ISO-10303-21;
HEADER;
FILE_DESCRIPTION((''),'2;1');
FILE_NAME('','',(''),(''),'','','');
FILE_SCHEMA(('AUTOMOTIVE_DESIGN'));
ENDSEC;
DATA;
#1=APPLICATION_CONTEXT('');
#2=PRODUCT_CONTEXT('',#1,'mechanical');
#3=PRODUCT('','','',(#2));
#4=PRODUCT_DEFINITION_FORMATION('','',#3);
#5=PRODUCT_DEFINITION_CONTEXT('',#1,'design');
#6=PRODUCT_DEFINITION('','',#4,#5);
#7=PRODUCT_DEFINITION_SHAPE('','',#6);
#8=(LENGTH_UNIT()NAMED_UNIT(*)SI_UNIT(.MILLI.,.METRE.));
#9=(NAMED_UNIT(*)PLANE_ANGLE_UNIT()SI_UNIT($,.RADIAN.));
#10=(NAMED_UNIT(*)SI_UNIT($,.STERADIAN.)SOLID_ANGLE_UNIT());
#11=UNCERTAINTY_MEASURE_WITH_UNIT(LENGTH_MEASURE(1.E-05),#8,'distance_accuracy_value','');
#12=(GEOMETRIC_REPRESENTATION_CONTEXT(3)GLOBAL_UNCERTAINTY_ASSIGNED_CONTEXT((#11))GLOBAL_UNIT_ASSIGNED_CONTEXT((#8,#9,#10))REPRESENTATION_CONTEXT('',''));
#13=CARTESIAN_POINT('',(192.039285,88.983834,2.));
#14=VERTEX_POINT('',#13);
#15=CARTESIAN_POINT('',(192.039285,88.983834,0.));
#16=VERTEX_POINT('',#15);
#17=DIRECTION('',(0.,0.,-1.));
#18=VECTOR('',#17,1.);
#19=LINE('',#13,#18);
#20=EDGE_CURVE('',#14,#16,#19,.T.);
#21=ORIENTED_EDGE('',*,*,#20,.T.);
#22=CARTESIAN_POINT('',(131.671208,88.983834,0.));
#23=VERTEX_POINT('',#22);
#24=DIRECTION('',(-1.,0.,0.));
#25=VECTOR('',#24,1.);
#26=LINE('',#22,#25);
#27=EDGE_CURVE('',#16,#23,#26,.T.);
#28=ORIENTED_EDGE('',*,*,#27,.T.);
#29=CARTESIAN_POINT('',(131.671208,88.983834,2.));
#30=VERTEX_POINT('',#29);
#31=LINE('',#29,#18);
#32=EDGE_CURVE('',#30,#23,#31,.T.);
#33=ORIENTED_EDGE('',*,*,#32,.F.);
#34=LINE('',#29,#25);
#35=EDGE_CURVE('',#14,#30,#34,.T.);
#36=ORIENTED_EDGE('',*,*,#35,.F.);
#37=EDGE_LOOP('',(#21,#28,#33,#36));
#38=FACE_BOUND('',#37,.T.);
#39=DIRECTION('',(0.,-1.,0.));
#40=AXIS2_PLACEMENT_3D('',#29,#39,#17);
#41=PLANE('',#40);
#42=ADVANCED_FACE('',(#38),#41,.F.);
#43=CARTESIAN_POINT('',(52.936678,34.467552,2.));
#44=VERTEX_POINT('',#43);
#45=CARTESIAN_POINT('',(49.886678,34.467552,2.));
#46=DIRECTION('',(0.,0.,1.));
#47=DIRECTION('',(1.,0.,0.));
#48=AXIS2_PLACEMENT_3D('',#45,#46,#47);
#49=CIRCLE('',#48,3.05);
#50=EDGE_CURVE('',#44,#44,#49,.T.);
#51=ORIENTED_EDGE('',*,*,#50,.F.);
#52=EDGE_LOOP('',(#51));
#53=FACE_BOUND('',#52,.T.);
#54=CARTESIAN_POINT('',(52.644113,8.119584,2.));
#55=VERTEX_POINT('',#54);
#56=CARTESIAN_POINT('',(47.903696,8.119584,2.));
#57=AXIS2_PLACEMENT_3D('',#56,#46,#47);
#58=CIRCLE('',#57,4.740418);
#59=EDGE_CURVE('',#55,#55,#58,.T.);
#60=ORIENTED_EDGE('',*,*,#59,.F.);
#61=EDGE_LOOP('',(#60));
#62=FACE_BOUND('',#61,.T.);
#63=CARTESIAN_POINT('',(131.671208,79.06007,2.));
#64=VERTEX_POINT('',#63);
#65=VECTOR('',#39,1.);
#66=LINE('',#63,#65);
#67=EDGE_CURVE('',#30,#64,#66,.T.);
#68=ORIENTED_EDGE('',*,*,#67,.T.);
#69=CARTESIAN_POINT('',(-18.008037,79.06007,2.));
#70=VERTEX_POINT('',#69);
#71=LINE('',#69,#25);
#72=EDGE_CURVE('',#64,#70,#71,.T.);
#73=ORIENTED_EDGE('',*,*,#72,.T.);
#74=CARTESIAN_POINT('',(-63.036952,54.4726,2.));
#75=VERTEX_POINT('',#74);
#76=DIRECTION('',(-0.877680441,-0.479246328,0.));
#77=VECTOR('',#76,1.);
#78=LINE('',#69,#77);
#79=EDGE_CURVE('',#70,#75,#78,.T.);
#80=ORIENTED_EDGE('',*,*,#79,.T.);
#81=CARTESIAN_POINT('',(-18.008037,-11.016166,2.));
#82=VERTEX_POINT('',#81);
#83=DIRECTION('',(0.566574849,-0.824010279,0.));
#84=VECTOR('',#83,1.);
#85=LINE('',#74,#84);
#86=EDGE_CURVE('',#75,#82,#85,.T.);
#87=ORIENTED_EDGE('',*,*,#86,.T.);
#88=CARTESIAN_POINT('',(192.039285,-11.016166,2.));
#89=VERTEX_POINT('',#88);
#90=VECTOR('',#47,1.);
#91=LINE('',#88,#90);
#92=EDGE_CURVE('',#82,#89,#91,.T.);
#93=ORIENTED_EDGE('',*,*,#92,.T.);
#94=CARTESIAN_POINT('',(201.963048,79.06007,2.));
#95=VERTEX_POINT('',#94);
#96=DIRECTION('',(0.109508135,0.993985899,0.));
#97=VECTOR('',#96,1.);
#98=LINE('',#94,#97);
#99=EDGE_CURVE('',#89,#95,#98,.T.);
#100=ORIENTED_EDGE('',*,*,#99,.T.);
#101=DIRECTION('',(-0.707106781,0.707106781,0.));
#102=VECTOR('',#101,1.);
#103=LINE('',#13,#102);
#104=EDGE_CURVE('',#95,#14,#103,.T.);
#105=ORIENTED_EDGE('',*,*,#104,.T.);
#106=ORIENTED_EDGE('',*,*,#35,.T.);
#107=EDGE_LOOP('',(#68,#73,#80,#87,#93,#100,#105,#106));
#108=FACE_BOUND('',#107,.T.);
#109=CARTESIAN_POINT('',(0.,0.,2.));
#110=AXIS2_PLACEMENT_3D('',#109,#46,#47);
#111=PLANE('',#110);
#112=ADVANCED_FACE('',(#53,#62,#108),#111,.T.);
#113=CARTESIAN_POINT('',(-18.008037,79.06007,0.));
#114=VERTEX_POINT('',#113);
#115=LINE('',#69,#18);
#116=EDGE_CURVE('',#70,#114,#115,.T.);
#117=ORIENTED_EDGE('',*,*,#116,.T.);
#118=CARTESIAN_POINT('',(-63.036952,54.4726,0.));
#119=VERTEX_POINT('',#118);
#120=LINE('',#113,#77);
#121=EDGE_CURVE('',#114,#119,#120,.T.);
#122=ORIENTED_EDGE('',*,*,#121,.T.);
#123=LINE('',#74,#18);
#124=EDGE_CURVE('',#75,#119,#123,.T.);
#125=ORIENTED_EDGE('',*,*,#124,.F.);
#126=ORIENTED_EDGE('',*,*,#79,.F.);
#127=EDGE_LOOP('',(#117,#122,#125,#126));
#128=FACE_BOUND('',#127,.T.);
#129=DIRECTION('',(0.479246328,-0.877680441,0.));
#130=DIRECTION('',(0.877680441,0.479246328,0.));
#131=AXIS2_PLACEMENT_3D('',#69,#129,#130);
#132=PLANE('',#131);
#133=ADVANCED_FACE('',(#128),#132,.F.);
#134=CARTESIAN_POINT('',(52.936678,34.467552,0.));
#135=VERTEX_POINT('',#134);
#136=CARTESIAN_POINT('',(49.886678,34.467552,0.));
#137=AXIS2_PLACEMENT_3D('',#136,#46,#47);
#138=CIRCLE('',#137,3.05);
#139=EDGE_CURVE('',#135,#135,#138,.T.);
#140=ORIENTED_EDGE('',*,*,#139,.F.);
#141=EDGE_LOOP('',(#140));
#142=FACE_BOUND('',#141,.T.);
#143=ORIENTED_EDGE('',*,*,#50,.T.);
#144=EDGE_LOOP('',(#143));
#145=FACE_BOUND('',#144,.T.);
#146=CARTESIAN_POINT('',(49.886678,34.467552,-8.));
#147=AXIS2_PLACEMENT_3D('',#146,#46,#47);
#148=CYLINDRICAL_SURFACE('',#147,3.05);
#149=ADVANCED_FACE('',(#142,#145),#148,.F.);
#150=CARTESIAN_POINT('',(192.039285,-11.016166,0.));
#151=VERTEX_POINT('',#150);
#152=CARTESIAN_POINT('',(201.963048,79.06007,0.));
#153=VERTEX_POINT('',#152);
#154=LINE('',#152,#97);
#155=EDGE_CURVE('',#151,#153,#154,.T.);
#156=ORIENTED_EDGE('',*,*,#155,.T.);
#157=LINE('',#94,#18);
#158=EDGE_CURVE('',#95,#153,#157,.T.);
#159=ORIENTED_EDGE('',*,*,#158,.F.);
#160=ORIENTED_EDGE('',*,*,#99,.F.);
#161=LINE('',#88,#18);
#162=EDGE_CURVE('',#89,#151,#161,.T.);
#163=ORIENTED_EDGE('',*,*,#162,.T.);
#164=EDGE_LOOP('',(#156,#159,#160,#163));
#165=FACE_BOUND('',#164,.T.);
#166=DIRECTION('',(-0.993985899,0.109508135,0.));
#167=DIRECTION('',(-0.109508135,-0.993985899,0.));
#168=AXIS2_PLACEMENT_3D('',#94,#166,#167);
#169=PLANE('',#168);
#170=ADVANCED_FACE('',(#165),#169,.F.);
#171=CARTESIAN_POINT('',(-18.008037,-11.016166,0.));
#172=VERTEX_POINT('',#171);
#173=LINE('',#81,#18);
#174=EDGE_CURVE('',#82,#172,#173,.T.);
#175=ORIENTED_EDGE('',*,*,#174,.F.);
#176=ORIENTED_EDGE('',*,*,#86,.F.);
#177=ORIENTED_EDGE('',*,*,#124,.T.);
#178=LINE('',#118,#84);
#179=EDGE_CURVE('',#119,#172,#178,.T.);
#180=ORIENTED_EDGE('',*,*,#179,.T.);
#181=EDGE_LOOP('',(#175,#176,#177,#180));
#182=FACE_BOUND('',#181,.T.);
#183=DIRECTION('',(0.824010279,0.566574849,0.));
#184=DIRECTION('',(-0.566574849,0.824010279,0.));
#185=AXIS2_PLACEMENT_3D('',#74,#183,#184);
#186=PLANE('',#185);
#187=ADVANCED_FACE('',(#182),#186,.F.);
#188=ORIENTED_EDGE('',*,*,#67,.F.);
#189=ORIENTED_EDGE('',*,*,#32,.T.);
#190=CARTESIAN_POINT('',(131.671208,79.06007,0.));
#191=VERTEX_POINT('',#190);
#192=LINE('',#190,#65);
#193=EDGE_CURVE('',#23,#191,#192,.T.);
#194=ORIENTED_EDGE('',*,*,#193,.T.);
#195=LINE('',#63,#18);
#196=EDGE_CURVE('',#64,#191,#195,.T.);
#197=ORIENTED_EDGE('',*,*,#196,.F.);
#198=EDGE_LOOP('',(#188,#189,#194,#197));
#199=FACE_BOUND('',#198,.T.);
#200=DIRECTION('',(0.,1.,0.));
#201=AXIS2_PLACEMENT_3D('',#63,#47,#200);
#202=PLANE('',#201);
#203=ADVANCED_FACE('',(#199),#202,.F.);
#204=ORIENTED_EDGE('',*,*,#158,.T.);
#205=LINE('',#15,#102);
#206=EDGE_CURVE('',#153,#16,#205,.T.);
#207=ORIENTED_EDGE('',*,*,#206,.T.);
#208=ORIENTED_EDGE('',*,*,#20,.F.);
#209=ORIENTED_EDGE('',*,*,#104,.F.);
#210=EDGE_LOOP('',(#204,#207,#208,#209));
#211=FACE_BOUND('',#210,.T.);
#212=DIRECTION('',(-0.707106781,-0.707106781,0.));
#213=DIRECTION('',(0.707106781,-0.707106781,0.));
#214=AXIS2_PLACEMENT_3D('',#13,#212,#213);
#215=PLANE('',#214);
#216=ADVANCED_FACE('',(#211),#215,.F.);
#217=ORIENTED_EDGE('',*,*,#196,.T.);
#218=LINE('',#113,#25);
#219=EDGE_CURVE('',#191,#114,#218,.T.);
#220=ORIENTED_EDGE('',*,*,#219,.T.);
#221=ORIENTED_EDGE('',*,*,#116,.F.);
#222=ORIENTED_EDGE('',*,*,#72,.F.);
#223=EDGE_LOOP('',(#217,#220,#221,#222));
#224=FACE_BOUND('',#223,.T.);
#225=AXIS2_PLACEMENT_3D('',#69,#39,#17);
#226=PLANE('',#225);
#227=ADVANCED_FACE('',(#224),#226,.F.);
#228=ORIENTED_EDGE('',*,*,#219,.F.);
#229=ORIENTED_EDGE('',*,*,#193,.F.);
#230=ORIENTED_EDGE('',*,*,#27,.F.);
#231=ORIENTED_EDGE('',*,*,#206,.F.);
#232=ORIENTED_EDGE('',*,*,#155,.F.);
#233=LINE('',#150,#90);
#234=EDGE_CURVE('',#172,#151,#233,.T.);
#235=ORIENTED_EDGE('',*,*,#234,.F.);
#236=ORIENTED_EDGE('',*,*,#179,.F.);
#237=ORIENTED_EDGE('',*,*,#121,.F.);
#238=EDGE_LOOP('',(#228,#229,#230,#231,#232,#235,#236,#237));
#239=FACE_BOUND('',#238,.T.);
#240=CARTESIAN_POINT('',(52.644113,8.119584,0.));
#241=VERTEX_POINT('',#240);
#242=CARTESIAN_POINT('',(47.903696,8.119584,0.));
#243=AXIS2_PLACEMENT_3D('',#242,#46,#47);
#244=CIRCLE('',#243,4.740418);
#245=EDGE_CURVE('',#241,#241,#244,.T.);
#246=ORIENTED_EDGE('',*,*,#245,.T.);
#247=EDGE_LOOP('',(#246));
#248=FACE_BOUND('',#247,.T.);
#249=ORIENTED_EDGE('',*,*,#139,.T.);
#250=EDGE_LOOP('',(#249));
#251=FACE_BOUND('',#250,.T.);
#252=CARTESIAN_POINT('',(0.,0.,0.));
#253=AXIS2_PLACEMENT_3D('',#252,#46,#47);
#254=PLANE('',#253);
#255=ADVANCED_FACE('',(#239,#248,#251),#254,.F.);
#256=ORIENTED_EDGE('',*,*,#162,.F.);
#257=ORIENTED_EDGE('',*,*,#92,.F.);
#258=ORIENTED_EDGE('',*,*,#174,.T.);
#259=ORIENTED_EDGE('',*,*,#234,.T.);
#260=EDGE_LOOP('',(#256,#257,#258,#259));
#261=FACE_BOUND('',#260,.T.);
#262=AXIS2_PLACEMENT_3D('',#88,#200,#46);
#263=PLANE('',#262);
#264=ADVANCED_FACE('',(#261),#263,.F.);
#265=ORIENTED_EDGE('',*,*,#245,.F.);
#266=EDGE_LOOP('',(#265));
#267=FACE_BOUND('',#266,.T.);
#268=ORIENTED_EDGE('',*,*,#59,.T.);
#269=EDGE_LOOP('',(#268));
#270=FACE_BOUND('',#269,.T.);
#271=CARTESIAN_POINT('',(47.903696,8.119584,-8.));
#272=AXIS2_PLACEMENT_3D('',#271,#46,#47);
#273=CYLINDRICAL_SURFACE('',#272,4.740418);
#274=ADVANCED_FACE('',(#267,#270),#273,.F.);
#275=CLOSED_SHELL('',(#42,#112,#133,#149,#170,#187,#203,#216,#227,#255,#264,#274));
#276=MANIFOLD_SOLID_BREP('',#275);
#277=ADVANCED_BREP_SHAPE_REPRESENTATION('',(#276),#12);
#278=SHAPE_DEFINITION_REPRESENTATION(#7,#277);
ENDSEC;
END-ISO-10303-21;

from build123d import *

# Parameters (mm, degrees)
BOSS_EXTRUDE1_DEPTH = 2
SKETCH2_R           = 3.05
SKETCH2_R_2         = 4.740417633
CUT_EXTRUDE1_DEPTH  = 10


with BuildPart() as part:
    # Sketch1 → Boss-Extrude1 (new body)
    with BuildSketch(Plane.XY):
        Polygon((192.039285274, 88.983833718), (201.963048499, 79.060070494), (192.039285274, -11.016166282), (-18.008037477, -11.016166282), (-63.036951501, 54.472600305), (-18.008037477, 79.060070494), (131.67120814, 79.060070494), (131.67120814, 88.983833718), align=None)
    extrude(amount=BOSS_EXTRUDE1_DEPTH)

    # Sketch2 → Cut-Extrude1 (cut)
    with BuildSketch(Plane.XY.offset(2)):
        with Locations((49.886677935, 34.46755227)):
            Circle(SKETCH2_R)
        with Locations((47.903695827, 8.119584274)):
            Circle(SKETCH2_R_2)
    extrude(amount=-CUT_EXTRUDE1_DEPTH, mode=Mode.SUBTRACT)


solid = part.part
